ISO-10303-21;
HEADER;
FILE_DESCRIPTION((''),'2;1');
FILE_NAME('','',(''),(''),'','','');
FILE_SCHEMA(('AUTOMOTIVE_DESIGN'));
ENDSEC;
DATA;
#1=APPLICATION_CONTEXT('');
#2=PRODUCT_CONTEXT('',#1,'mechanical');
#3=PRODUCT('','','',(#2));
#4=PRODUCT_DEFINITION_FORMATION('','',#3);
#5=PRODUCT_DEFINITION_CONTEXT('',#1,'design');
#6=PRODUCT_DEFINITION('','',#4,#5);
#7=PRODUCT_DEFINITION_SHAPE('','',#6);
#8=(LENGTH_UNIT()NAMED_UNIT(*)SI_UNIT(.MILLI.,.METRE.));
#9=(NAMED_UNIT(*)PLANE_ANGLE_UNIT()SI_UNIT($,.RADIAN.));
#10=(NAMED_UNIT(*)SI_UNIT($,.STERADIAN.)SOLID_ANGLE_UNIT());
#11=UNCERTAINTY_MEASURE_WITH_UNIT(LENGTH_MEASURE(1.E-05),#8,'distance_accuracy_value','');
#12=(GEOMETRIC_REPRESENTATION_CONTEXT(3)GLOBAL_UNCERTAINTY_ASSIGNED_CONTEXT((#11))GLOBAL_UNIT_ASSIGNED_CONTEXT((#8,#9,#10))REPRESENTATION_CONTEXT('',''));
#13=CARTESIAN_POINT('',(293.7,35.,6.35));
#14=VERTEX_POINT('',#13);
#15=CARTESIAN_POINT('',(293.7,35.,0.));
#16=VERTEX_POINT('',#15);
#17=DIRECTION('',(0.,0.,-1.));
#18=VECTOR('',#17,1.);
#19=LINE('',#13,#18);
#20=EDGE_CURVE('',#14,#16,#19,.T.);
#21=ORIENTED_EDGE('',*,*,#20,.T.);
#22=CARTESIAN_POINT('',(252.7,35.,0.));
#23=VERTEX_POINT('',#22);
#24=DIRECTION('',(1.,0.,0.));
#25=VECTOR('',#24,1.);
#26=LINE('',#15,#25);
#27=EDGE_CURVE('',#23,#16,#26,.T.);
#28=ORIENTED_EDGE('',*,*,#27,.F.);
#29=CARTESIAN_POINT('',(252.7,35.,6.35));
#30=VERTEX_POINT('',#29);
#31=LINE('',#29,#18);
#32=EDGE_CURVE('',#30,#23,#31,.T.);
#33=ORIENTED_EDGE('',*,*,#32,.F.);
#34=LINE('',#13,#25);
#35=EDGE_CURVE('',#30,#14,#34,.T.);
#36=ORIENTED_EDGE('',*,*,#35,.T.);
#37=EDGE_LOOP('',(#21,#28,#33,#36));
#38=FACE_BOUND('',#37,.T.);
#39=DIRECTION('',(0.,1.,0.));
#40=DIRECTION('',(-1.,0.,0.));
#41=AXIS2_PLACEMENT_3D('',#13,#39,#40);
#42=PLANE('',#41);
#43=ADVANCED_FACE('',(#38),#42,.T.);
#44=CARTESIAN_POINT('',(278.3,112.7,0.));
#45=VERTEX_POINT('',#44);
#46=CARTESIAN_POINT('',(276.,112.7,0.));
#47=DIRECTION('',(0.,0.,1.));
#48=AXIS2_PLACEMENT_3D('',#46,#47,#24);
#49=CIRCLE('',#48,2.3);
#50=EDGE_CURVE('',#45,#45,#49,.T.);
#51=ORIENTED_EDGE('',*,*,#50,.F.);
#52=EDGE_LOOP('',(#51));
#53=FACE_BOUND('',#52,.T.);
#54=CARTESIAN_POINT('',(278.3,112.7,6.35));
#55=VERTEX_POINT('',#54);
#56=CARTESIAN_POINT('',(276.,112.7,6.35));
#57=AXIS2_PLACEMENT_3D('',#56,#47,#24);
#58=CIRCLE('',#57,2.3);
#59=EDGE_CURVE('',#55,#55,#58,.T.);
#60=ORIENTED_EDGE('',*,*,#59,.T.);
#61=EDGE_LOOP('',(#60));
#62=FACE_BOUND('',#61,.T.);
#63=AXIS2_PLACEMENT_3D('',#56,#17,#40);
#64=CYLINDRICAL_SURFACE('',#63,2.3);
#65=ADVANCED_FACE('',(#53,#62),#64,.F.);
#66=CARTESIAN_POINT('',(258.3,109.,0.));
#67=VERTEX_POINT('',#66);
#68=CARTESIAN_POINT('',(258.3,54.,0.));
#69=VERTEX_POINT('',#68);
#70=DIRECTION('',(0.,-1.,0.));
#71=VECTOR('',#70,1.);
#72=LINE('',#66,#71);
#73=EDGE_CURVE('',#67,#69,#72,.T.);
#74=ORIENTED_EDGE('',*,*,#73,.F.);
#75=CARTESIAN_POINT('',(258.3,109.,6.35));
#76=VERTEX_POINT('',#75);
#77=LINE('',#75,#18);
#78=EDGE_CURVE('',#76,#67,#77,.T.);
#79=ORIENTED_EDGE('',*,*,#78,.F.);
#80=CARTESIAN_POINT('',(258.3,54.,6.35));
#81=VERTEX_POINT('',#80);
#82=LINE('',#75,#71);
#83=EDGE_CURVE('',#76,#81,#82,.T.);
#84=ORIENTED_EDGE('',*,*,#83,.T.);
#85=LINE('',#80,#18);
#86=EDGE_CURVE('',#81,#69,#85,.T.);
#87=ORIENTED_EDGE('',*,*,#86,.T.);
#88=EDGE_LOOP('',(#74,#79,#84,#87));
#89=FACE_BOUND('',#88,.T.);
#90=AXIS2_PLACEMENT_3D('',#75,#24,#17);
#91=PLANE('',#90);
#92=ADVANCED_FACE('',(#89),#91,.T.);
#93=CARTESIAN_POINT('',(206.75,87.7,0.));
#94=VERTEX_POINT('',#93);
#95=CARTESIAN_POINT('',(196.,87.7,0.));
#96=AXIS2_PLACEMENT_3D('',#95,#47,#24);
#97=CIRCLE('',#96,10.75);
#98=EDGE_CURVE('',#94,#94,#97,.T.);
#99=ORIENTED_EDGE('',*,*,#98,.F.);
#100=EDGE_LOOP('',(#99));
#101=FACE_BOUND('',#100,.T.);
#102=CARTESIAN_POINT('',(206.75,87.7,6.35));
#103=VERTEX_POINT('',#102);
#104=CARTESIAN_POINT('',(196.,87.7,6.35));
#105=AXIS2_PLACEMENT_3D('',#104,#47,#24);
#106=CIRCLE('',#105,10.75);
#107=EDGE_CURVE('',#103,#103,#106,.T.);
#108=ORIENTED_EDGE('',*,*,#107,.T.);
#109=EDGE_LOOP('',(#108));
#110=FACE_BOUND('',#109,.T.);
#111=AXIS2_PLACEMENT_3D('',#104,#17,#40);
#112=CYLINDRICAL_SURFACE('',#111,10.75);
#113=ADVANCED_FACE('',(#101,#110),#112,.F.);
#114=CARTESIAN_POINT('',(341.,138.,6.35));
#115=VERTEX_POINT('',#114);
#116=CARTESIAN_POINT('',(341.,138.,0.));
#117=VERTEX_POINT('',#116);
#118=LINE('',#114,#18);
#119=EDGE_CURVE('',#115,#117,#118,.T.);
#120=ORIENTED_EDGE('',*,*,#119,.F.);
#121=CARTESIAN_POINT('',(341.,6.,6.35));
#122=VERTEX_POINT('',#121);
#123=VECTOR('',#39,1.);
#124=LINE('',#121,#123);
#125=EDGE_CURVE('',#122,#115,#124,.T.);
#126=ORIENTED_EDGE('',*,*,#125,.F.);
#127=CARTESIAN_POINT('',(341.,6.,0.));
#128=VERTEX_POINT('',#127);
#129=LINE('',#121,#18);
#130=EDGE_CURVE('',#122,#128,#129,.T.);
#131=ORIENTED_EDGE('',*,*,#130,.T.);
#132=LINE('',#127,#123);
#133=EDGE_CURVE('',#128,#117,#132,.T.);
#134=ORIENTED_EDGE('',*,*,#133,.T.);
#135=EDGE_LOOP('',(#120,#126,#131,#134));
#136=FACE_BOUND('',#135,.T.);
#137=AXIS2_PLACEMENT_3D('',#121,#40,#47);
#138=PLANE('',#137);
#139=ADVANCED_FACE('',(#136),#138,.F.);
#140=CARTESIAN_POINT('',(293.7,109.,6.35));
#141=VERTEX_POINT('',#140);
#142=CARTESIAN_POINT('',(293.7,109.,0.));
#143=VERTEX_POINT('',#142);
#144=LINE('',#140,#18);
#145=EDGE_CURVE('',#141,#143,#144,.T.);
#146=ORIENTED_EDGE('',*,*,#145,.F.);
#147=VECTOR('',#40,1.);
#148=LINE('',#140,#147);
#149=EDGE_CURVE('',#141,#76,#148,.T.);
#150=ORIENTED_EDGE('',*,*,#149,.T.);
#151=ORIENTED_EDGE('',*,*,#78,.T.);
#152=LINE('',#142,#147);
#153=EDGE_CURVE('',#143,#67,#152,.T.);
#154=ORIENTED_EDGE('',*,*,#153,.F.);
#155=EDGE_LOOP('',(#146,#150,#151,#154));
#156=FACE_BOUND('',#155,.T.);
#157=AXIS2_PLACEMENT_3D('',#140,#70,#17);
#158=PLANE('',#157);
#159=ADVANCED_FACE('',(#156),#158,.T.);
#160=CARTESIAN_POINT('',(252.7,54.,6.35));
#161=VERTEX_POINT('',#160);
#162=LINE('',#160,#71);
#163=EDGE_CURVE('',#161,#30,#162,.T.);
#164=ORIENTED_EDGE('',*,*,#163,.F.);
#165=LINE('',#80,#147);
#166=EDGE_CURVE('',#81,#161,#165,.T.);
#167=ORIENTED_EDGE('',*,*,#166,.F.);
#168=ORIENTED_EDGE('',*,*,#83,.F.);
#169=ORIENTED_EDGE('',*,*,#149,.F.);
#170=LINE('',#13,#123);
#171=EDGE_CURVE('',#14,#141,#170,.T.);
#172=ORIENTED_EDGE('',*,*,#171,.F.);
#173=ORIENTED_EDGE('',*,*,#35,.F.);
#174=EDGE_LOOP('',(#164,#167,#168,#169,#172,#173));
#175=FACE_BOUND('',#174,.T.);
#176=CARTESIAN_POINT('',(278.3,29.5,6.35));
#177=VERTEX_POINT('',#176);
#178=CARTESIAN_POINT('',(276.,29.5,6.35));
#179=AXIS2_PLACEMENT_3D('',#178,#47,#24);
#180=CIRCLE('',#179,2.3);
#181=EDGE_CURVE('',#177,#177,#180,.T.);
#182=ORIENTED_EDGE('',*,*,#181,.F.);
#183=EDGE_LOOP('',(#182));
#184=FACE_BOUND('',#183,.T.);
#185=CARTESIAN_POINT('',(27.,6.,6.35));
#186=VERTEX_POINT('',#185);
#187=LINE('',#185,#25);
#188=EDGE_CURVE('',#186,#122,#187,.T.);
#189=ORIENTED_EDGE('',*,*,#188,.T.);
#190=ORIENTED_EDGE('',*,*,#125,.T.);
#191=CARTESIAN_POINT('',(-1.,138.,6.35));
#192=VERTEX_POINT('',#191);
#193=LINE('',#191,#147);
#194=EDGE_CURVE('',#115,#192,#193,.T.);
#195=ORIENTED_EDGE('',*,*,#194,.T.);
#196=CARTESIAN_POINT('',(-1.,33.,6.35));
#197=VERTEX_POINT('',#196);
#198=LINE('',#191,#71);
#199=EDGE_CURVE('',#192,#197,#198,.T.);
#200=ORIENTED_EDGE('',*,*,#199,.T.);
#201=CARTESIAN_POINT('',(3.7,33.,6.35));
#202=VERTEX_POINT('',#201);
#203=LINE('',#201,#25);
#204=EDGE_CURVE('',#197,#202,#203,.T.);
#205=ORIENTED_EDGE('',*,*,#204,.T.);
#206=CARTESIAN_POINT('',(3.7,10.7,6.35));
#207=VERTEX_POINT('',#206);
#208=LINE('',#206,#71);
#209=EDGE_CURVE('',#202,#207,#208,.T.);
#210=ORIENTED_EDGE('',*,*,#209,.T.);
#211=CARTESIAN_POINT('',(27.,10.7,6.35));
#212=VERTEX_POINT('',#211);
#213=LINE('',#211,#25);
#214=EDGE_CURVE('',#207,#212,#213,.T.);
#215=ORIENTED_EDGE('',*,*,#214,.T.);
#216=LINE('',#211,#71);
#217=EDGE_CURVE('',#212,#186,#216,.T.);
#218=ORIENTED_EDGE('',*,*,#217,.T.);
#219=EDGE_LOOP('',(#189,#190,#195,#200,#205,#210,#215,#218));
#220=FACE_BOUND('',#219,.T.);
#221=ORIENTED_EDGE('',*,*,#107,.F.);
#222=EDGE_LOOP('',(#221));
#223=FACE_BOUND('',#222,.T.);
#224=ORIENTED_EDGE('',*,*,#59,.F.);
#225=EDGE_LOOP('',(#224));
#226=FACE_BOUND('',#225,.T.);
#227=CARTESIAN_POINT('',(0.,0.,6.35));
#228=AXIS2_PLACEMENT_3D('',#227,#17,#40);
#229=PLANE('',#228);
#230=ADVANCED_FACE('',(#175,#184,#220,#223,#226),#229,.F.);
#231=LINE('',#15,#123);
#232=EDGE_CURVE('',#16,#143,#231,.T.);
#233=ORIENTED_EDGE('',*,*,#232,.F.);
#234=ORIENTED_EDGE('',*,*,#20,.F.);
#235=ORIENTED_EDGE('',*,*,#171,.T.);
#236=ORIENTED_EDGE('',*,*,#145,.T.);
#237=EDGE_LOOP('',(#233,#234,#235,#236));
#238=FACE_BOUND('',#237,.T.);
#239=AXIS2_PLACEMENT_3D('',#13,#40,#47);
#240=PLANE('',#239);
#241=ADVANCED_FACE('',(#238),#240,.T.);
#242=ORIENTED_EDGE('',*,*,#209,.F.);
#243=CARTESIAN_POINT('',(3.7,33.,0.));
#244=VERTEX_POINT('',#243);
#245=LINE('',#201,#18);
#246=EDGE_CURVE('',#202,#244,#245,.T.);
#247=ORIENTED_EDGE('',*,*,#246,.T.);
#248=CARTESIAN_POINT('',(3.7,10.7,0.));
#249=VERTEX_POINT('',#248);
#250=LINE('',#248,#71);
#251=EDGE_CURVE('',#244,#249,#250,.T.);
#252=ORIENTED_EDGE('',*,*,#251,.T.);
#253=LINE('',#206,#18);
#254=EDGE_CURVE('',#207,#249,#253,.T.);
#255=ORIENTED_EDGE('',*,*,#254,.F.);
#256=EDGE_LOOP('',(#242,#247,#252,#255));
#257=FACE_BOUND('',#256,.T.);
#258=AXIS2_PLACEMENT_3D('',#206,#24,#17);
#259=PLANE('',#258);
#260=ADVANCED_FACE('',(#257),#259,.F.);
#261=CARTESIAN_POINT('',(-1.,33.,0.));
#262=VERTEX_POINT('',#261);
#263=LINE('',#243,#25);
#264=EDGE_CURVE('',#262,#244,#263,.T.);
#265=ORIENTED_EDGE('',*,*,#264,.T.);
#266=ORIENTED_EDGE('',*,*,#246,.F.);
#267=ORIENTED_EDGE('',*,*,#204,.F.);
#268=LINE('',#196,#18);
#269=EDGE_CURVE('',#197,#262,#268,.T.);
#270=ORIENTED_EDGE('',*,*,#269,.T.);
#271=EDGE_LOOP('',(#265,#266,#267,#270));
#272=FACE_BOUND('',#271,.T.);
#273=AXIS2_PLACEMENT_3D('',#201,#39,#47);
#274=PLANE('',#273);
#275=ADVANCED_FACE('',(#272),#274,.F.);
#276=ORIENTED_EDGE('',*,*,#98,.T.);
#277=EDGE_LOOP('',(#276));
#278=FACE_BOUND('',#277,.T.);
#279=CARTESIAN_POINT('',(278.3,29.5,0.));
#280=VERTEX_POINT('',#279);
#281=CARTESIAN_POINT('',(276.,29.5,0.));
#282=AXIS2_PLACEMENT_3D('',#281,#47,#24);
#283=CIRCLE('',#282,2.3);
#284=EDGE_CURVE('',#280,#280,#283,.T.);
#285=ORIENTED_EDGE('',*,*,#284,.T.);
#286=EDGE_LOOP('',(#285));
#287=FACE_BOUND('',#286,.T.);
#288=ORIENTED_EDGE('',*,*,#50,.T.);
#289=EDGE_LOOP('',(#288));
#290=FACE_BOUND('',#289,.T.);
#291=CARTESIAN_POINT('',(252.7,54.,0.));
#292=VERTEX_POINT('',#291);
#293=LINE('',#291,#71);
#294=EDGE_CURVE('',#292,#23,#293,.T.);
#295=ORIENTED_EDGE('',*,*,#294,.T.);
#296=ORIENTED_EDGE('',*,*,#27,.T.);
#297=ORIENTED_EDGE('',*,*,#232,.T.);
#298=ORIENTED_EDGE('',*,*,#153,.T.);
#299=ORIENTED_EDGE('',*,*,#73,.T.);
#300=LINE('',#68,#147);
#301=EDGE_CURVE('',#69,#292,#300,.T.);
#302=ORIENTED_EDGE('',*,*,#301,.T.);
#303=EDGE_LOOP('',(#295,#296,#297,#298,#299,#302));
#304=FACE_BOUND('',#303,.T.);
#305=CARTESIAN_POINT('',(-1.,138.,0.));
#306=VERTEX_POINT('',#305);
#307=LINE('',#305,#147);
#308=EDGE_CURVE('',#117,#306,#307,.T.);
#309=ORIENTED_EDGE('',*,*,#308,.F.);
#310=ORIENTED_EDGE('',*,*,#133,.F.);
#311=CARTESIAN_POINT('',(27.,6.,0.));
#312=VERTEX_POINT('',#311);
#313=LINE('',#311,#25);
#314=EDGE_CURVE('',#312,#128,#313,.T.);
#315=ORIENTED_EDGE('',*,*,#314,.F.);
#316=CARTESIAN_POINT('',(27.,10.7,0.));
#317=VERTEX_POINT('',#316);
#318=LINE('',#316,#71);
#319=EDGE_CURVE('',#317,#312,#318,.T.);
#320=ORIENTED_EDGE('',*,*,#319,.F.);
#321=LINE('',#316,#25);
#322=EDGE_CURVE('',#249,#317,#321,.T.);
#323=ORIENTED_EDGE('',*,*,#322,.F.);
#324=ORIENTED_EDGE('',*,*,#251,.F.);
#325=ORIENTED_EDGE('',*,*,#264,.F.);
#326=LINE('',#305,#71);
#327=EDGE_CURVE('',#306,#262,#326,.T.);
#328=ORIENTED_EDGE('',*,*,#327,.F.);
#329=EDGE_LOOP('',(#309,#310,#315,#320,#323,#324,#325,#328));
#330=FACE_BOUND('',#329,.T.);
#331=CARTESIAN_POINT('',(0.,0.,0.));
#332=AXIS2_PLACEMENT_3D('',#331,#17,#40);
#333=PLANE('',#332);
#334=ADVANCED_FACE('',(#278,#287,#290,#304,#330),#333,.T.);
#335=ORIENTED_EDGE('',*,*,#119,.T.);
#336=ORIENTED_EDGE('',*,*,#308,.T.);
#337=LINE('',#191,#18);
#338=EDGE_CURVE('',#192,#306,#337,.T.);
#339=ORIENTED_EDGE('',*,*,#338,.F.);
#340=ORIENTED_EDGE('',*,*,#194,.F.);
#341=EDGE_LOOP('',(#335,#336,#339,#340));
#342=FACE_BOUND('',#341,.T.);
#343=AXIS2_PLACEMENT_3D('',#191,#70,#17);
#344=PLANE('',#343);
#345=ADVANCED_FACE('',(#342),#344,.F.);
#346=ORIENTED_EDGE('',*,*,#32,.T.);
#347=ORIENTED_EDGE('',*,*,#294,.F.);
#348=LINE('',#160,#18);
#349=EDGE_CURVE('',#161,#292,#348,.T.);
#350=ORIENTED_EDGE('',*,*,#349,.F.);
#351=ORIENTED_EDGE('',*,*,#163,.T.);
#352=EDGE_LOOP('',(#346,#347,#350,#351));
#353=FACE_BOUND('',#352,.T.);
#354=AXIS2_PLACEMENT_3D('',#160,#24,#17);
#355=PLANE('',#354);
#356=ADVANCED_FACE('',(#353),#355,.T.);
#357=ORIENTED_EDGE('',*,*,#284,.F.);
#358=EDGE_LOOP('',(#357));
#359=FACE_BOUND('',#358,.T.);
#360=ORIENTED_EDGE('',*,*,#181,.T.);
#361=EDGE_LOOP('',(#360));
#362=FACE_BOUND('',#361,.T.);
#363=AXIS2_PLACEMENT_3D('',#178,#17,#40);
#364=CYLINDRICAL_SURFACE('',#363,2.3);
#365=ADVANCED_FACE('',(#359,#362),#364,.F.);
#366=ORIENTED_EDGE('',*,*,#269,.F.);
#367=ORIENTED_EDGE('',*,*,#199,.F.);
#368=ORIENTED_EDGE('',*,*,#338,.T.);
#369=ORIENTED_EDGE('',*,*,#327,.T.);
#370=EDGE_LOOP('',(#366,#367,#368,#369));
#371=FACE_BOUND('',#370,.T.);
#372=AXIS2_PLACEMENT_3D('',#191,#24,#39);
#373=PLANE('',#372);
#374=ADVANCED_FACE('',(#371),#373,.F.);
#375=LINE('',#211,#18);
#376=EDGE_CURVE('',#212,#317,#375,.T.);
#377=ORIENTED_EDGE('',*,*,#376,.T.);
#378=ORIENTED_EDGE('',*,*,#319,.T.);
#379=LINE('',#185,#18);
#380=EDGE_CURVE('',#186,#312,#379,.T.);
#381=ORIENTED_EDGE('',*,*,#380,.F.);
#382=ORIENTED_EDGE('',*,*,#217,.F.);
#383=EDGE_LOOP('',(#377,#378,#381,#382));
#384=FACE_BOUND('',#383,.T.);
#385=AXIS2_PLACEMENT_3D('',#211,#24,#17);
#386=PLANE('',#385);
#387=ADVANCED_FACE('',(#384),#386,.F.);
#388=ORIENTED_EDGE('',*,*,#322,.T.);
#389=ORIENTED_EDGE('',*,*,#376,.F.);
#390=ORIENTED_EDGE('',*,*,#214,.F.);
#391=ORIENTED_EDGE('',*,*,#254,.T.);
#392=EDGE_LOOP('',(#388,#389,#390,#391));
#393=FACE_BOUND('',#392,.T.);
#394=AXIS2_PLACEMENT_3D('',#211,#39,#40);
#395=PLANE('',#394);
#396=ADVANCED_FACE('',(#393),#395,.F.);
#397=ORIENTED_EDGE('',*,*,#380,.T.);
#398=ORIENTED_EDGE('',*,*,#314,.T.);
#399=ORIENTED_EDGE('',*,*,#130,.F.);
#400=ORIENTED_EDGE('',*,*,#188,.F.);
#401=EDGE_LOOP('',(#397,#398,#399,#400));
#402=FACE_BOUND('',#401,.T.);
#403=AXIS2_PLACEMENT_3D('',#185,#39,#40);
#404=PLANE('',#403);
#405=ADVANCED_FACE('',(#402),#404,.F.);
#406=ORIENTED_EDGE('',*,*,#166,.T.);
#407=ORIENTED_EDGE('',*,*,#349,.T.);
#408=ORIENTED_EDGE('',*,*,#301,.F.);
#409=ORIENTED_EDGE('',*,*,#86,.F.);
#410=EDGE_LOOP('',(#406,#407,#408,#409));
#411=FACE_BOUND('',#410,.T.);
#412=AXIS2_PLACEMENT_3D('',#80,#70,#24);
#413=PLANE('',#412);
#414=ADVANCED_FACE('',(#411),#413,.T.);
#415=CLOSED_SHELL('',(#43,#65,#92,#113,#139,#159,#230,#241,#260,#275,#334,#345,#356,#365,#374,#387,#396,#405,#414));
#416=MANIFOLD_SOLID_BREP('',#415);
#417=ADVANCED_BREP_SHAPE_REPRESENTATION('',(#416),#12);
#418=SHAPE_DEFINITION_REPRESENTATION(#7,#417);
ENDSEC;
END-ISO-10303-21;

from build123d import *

# Parameters (mm, degrees)
SKETCH1_R           = 2.3
SKETCH1_R_2         = 10.75
BOSS_EXTRUDE1_DEPTH = 6.35


with BuildPart() as part:
    # Sketch1 → Boss-Extrude1 (new body)
    with BuildSketch(Plane.XY):
        Polygon((-1, 138), (341, 138), (341, 6), (27, 6), (27, 10.7), (3.7, 10.7), (3.7, 33), (-1, 33), align=None)
        with Locations((276, 112.7)):
            Circle(SKETCH1_R, mode=Mode.SUBTRACT)
        with Locations((276, 29.5)):
            Circle(SKETCH1_R, mode=Mode.SUBTRACT)
        with Locations((196, 87.7)):
            Circle(SKETCH1_R_2, mode=Mode.SUBTRACT)
        Polygon((293.7, 35), (252.7, 35), (252.7, 54), (258.3, 54), (258.3, 109), (293.7, 109), align=None, mode=Mode.SUBTRACT)
    extrude(amount=BOSS_EXTRUDE1_DEPTH)


solid = part.part
